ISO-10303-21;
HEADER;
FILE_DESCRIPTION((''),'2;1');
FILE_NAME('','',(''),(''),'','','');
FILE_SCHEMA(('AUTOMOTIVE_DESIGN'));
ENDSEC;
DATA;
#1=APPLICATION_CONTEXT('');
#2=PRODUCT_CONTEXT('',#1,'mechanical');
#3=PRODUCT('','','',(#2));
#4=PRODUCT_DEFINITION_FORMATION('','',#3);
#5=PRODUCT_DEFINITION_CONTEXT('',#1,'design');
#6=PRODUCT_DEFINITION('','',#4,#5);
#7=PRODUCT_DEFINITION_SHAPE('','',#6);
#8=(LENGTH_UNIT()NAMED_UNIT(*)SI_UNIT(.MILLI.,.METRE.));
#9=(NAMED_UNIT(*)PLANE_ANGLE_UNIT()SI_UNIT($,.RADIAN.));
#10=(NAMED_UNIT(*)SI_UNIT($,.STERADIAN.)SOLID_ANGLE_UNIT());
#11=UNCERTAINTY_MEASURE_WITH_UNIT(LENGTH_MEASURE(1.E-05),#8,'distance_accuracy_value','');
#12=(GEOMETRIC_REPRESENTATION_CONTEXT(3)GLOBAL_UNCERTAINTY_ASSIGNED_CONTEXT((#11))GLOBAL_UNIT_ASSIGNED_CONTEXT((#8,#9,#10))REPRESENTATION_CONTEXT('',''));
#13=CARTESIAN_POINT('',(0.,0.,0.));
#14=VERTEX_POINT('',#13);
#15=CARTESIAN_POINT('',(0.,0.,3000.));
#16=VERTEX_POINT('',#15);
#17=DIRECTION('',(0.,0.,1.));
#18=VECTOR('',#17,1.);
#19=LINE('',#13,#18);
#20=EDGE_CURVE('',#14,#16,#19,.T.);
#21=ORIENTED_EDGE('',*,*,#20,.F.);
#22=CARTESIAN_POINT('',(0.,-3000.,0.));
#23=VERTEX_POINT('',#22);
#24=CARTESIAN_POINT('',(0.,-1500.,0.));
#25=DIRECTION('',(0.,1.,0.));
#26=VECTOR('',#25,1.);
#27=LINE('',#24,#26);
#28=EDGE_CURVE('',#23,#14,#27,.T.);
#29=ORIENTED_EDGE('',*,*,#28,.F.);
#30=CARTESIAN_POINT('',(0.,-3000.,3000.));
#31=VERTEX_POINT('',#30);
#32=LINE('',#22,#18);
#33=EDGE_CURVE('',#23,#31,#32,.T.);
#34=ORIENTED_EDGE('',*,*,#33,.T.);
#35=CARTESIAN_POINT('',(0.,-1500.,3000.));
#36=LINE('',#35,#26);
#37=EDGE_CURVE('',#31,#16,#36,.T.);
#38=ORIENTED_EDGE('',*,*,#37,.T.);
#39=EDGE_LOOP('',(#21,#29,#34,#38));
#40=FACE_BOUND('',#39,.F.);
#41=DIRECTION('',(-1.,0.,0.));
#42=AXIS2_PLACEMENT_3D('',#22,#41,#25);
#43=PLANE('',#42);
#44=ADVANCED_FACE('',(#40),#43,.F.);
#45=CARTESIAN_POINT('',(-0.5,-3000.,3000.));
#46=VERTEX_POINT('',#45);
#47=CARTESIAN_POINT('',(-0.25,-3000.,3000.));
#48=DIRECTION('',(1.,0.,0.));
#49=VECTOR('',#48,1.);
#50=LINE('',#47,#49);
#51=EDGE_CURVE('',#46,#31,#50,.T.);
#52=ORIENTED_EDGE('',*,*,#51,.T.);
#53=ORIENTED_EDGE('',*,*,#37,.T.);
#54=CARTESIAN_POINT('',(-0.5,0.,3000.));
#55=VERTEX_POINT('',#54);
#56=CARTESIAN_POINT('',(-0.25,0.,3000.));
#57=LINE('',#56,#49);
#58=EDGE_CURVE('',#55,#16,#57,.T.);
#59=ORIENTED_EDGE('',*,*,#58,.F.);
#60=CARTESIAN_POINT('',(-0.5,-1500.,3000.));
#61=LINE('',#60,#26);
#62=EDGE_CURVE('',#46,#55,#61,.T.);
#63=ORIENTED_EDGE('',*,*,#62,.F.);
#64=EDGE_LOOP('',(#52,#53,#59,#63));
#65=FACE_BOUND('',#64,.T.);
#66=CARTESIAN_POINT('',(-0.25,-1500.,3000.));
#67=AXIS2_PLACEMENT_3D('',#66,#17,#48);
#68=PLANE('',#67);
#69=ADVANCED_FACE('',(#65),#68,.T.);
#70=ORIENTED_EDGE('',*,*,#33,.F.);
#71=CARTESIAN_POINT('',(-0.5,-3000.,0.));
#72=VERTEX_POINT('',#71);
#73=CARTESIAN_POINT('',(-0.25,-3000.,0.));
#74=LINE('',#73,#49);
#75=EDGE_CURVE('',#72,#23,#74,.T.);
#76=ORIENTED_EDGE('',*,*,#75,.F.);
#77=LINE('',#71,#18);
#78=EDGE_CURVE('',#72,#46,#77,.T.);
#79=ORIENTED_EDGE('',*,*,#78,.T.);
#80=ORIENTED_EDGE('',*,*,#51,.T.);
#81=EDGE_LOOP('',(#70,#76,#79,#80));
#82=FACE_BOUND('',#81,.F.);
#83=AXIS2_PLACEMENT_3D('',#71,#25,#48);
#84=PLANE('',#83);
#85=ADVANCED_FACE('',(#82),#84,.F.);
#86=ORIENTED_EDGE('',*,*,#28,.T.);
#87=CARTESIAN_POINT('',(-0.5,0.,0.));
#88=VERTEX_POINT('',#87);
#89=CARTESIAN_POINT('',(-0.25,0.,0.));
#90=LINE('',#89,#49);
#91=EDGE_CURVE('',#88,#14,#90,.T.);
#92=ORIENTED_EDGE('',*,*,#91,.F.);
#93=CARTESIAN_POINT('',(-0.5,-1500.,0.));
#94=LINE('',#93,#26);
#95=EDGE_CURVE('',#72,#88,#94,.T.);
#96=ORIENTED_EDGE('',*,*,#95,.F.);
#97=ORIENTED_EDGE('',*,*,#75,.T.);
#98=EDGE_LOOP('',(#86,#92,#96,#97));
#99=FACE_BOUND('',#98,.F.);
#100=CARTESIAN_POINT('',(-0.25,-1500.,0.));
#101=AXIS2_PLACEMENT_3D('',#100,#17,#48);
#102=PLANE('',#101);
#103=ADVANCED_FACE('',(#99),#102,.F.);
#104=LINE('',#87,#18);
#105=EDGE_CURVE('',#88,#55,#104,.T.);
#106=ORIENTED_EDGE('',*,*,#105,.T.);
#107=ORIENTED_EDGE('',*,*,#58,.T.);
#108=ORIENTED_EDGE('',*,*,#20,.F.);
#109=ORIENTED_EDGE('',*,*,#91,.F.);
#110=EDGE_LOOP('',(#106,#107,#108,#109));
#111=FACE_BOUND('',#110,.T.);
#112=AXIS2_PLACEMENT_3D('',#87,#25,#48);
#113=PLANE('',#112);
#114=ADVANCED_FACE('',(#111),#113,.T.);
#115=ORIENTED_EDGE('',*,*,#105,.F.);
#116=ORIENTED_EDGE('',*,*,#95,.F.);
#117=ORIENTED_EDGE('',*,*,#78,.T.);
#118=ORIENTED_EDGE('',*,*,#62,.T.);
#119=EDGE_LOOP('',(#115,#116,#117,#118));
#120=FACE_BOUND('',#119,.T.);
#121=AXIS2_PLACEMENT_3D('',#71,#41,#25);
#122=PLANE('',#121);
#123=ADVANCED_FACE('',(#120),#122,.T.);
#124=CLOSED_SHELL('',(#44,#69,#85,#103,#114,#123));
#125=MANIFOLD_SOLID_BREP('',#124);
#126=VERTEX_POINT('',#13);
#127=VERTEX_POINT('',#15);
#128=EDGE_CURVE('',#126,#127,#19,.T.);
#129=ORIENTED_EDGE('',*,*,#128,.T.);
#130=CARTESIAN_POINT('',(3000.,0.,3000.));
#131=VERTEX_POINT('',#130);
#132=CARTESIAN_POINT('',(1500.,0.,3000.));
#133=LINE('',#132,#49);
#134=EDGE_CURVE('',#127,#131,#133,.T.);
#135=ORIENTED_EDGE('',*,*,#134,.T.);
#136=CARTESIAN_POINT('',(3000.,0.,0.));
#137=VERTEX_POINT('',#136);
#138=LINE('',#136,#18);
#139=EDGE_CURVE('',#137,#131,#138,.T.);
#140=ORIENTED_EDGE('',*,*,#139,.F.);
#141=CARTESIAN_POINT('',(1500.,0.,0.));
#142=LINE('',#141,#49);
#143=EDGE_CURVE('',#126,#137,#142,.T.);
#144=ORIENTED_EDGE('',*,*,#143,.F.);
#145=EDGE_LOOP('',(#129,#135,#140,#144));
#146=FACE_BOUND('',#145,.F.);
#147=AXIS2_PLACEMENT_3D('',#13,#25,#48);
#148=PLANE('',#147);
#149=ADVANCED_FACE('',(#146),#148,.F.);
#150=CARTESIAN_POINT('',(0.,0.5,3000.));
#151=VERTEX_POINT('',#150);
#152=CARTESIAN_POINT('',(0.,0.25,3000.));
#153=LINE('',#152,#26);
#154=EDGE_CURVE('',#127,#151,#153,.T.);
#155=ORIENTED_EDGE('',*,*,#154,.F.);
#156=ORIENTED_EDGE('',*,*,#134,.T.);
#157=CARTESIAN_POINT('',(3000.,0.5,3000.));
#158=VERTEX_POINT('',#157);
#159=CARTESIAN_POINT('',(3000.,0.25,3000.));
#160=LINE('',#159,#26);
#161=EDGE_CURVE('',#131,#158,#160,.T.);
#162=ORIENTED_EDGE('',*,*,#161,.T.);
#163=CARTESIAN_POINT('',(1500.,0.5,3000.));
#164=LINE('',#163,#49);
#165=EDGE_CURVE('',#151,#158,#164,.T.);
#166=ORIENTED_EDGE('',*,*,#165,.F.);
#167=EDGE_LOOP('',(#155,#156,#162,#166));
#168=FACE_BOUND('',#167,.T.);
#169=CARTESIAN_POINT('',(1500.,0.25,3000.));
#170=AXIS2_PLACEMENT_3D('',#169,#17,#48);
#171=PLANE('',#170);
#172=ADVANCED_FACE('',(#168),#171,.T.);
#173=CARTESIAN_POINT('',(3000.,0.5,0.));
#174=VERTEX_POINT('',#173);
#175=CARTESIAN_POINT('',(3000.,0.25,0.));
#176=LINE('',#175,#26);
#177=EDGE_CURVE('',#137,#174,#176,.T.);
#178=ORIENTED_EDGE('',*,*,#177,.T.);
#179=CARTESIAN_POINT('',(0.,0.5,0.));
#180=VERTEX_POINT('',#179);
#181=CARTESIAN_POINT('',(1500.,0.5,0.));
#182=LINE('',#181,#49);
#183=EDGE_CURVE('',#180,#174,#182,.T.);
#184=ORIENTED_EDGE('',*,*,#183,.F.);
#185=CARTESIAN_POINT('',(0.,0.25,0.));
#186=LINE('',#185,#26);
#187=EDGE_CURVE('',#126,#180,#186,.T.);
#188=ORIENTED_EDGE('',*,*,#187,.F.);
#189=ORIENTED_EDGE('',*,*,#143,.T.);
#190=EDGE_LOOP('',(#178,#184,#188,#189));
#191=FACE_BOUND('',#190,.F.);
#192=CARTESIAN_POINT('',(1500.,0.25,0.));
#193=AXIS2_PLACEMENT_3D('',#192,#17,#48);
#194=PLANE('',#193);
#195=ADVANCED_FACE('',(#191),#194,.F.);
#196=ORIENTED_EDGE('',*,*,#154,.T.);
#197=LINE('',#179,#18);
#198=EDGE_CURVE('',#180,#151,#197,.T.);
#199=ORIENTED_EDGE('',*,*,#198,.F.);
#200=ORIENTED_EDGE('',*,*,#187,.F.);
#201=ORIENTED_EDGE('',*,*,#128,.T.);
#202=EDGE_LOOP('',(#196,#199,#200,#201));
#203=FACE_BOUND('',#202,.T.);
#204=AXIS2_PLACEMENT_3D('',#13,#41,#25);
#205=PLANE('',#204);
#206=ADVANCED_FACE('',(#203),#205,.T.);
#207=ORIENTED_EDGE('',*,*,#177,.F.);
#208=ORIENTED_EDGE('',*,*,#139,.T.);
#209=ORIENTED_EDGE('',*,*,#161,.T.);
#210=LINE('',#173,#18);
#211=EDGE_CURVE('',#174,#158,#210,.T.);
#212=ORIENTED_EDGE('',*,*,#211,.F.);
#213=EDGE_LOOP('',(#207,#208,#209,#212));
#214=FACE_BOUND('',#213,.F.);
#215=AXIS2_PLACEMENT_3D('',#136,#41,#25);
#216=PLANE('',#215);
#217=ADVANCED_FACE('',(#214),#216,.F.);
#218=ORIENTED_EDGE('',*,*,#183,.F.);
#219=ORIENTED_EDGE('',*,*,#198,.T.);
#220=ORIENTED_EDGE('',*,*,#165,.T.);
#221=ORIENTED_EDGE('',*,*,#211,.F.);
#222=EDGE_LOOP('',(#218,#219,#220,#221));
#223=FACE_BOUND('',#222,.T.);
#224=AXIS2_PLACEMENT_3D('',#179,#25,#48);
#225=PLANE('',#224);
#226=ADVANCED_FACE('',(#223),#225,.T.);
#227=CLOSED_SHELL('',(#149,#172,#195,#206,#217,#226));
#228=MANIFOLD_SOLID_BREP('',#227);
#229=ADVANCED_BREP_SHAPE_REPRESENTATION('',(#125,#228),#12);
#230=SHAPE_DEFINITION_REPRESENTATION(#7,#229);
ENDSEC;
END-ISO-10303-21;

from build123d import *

# Parameters (mm, degrees)
F0_W     = 3000
F0_H     = 0.5
F0_W_2   = 0.5
F0_H_2   = 3000
F1_DEPTH = 3000


with BuildPart() as f1:
    # F0 (on Top) → F1 (new body)
    with BuildSketch(Plane.XY):
        with Locations((1500, 0.25)):
            Rectangle(F0_W, F0_H)
        with Locations((-0.25, -1500)):
            Rectangle(F0_W_2, F0_H_2)
    extrude(amount=F1_DEPTH)


solid = f1.part
